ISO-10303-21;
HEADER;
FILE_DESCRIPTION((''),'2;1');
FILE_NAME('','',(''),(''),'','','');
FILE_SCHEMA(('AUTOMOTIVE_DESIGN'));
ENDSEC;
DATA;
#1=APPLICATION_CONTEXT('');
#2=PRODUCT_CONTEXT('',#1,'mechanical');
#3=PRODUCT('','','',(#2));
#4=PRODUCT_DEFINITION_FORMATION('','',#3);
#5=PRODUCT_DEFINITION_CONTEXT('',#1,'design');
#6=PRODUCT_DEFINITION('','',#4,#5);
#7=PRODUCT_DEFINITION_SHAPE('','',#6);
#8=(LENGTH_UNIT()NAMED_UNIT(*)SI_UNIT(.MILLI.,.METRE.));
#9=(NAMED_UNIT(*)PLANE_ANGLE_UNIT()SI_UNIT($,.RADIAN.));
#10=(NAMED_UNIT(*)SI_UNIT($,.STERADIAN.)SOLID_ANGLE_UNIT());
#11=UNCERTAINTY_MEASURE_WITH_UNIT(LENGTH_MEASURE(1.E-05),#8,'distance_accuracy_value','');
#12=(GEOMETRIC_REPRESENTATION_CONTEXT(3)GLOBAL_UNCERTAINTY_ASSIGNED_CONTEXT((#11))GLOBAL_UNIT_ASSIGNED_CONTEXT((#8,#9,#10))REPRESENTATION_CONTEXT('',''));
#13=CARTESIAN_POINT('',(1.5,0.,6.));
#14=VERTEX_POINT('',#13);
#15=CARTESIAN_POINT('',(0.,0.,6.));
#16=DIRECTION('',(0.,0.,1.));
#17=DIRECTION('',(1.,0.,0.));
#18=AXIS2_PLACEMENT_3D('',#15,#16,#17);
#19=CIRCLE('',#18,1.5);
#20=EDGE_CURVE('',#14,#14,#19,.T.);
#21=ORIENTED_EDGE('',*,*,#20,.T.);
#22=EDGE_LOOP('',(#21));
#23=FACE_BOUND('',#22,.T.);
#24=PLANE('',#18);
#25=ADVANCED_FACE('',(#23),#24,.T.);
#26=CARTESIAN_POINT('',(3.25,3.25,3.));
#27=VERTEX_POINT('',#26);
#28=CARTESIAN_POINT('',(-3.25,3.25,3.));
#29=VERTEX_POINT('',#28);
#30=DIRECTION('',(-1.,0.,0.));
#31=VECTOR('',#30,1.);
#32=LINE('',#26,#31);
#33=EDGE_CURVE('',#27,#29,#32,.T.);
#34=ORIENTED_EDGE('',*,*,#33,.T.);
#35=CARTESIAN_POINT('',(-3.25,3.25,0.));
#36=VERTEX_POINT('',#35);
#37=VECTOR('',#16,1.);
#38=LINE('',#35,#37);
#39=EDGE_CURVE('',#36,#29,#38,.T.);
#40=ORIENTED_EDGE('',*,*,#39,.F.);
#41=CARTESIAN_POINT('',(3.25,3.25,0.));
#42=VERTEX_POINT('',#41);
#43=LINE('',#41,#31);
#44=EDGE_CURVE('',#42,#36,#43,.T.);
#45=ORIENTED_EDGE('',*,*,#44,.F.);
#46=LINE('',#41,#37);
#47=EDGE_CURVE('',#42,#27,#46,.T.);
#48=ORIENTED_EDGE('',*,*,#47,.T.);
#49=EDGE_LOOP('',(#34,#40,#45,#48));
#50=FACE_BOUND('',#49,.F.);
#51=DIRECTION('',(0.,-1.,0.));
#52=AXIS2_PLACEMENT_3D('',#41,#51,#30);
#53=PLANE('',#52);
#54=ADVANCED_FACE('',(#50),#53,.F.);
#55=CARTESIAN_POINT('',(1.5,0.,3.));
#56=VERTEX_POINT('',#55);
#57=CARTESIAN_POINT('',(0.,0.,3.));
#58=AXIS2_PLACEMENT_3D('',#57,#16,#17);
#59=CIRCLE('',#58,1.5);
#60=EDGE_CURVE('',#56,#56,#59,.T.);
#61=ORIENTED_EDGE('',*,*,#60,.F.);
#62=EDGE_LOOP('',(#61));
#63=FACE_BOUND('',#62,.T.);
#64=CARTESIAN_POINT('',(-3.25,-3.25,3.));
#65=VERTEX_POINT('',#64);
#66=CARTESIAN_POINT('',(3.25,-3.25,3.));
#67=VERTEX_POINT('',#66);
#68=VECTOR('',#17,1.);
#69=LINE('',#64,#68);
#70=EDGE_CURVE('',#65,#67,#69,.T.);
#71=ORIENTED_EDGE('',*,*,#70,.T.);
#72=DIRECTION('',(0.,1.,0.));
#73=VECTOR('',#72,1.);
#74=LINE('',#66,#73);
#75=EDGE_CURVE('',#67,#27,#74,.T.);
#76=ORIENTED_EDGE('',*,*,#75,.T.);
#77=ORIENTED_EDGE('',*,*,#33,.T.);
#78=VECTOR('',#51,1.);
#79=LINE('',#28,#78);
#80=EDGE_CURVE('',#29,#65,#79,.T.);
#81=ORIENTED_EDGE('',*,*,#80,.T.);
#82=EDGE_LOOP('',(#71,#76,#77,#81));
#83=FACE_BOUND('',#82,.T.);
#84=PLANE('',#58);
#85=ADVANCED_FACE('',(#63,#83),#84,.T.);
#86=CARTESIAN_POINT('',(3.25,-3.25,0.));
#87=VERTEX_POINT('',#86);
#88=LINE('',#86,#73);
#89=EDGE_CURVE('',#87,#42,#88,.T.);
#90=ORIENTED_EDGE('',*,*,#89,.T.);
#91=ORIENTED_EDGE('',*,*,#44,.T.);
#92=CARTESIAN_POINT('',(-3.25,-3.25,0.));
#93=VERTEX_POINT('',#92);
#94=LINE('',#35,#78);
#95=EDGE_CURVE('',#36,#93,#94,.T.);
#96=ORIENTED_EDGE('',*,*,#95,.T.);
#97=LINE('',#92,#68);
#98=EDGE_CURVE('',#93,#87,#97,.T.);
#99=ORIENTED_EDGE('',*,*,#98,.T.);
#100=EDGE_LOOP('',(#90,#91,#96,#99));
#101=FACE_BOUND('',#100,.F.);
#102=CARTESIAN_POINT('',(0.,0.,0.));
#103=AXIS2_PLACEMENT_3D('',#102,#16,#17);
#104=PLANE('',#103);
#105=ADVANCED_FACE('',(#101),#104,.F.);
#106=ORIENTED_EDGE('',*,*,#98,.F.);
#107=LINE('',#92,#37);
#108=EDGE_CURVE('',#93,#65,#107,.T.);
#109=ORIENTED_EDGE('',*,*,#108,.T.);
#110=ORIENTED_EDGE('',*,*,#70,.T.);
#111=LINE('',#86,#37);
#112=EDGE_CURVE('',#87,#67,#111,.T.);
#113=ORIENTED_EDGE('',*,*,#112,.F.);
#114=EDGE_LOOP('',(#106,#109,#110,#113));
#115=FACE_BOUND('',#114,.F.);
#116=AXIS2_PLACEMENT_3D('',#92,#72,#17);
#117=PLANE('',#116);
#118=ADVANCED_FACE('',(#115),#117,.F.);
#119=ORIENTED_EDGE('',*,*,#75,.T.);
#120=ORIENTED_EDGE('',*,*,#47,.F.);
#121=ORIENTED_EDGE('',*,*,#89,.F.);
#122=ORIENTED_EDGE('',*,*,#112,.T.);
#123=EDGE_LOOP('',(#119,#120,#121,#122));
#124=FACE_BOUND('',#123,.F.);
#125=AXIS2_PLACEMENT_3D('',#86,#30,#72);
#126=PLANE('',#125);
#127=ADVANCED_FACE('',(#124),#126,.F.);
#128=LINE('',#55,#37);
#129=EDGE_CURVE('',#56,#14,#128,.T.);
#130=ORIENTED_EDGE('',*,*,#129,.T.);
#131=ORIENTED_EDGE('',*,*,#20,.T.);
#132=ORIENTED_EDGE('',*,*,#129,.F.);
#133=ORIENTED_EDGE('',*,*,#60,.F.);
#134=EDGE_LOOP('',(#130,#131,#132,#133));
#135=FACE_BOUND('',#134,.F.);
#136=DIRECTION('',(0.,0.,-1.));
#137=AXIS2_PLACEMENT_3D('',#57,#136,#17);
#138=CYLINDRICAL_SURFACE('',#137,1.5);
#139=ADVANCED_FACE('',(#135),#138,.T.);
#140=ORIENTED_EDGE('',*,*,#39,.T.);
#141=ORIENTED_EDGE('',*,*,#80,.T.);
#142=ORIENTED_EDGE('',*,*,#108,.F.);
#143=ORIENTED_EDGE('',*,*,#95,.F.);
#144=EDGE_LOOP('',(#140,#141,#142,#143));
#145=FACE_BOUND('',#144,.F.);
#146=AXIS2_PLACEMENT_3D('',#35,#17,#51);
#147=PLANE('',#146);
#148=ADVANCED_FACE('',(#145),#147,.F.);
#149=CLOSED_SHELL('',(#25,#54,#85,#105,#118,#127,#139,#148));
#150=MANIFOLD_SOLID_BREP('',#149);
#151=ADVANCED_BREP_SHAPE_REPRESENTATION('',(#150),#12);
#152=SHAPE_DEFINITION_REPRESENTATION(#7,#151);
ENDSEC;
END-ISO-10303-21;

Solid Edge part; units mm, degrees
sketch "Sketch1" plane through (0, 0, 0) normal (0, 0, 1) x (1, 0, 0)
  line L0 (-3.25, -3.25) -> (3.25, -3.25)
  line L1 (3.25, -3.25) -> (3.25, 3.25)
  line L2 (3.25, 3.25) -> (-3.25, 3.25)
  line L3 (-3.25, 3.25) -> (-3.25, -3.25)
  dimension "D1" = 6.5
extrude "Protrusion1" add sketch "Sketch1" along normal blind 3
sketch "Sketch2" plane through (0, 0, 3) normal (0, 0, 1) x (1, 0, 0)
  circle A0 centre (0, 0) radius 1.5
  dimension "D1" = 3
extrude "Ajout_matière_2" add sketch "Sketch2" along normal blind 3
properties material "Acier"
